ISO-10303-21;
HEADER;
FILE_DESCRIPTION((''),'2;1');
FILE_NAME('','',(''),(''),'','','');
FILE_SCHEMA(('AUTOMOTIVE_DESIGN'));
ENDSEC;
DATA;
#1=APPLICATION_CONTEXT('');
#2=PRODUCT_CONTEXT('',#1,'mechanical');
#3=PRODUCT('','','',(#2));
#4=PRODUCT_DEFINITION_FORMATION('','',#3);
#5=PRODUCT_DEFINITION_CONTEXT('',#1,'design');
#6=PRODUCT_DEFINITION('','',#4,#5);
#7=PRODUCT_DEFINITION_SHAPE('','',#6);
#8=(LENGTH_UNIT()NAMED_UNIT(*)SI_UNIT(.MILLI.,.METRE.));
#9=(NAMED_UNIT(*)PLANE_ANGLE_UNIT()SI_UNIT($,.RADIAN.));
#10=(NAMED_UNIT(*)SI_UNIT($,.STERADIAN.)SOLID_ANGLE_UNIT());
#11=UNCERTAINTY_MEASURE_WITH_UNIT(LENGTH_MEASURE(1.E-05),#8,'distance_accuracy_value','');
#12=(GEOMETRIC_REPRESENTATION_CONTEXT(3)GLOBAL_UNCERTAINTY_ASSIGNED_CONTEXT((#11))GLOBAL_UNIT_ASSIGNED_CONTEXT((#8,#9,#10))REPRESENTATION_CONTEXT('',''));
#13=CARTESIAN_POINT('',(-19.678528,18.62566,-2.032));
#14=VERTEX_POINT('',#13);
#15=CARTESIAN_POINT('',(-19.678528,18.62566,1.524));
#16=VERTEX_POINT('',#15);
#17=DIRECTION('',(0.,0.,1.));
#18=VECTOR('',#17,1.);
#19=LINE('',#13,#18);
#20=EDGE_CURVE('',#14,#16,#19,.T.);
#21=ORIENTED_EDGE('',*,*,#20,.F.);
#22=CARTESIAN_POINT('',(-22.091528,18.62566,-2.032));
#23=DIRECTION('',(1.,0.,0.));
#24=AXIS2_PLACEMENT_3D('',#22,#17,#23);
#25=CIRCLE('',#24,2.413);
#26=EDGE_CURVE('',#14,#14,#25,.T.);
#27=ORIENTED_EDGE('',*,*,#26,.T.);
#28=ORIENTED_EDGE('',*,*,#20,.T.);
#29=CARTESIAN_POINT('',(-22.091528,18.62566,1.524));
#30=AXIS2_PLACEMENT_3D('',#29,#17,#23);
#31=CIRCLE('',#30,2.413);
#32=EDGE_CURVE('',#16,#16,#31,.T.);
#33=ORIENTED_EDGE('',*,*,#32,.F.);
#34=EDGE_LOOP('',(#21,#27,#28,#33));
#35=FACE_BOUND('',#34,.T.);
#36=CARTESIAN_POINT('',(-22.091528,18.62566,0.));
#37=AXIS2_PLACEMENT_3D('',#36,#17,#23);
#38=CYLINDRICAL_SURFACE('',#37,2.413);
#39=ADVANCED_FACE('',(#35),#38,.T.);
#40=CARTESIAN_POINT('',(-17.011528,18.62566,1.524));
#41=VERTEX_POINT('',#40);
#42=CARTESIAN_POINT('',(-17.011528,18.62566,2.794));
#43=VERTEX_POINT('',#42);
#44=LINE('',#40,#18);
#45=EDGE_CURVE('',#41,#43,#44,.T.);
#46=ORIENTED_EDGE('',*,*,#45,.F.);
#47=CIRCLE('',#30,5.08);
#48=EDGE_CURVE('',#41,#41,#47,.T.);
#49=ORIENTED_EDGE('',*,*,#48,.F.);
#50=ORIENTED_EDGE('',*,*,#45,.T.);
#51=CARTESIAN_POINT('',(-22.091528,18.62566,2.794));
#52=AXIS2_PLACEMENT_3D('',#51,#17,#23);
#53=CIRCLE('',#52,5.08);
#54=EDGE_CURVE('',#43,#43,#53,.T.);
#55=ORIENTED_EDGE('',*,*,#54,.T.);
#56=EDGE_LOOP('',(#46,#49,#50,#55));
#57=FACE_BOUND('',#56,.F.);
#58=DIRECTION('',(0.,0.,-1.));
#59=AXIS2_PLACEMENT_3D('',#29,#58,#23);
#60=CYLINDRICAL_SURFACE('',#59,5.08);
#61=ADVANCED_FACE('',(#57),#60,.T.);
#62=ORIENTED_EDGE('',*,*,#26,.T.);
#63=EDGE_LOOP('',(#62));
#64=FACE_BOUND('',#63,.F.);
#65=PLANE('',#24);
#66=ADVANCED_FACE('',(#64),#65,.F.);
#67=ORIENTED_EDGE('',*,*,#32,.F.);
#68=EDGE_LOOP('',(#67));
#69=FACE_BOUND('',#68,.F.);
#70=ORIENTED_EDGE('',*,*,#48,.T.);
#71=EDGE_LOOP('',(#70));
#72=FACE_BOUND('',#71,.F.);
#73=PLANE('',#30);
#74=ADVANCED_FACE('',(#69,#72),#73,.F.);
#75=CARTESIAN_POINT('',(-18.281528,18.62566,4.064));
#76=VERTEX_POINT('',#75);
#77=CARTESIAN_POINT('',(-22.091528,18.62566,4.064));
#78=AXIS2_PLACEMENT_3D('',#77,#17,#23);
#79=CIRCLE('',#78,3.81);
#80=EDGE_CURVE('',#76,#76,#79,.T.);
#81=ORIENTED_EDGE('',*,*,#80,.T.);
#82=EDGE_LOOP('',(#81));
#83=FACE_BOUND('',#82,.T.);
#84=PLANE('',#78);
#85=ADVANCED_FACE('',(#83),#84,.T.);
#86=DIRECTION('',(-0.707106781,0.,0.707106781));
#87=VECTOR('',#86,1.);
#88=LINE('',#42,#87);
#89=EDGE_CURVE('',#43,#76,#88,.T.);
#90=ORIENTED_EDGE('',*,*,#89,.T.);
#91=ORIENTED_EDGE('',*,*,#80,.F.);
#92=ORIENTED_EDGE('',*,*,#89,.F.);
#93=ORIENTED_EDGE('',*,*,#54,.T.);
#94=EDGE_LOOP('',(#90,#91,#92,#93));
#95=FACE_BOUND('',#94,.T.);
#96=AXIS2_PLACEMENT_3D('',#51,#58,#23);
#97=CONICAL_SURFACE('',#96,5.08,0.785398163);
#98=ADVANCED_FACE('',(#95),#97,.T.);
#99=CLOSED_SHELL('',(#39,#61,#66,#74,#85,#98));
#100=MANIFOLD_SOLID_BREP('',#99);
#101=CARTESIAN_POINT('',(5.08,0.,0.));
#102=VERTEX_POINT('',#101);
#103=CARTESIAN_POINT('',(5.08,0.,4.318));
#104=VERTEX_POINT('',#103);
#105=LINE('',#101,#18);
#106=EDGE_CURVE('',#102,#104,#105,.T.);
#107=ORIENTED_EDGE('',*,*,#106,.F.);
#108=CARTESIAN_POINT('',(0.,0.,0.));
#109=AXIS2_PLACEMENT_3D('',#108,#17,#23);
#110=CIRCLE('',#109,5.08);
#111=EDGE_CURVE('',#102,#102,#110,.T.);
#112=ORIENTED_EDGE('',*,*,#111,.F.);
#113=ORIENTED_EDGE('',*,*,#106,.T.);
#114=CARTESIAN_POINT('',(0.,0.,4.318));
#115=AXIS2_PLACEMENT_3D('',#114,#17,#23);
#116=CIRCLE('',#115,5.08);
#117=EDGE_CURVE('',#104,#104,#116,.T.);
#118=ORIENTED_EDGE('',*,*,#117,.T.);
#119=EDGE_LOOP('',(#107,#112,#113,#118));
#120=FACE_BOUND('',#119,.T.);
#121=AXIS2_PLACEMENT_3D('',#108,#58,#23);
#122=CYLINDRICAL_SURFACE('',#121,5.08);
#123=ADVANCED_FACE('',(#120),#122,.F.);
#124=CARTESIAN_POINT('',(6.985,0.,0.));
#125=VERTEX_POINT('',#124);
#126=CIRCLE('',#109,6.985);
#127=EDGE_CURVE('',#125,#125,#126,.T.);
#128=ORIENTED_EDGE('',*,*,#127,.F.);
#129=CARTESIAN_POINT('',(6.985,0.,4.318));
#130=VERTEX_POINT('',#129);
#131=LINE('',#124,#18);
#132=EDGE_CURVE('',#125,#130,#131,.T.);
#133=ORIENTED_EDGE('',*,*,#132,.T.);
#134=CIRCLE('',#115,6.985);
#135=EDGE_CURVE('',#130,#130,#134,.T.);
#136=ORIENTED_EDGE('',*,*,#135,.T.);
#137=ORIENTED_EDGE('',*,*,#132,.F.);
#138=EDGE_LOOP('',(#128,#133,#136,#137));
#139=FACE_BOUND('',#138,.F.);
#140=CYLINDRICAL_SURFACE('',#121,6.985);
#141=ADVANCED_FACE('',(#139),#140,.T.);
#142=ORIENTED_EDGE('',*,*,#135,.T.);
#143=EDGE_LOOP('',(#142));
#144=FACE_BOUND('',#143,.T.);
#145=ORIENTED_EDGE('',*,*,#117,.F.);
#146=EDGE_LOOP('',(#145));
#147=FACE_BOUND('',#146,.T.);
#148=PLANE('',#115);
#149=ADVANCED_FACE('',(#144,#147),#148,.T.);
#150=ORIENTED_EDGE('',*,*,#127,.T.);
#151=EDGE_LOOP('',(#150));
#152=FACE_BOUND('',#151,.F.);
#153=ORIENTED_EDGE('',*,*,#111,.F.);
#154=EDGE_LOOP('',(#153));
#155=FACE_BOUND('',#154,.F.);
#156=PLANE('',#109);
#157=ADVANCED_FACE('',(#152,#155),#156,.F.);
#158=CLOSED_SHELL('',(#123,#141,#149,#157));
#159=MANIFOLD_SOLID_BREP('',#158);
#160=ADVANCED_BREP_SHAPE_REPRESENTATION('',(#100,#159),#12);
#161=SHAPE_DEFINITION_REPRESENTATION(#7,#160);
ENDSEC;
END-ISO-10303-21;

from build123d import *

# Parameters (mm, degrees)
F0_R     = 6.985
F0_R_2   = 5.08
F1_DEPTH = 4.318
F2_R     = 2.413
F3_DEPTH = 1.524
F4_R     = 5.08
F4_R_2   = 2.413
F5_DEPTH = 2.54
F6_SIZE  = 1.27
F7_DEPTH = 2.032


with BuildPart() as f1:
    # F0 (on Top) → F1 (new body)
    with BuildSketch(Plane.XY):
        Circle(F0_R)
        Circle(F0_R_2, mode=Mode.SUBTRACT)
    extrude(amount=F1_DEPTH)


with BuildPart() as f3:
    # F2 (on Top) → F3 (new body)
    with BuildSketch(Plane.XY):
        with Locations((-22.0915284008, 18.6256598681)):
            Circle(F2_R)
    extrude(amount=F3_DEPTH)

    # F4 (on face) → F5 (join)
    with BuildSketch(Plane.XY.offset(1.524)):
        with Locations((-22.0915284008, 18.6256598681)):
            Circle(F4_R)
        with Locations((-22.0915284008, 18.6256598681)):
            Circle(F4_R_2, mode=Mode.SUBTRACT)
        with Locations((-22.0915284008, 18.6256598681)):
            Circle(F4_R_2)
    extrude(amount=F5_DEPTH)

    # F6
    f6_edges = [f3.edges().sort_by_distance(p)[0] for p in [
        (-27.171528, 18.62566, 4.064),
    ]]
    chamfer(f6_edges, length=F6_SIZE)

    # F7 (add): a face of the model
    f7_faces = [f3.faces().sort_by_distance(p)[0] for p in [
        (-22.0915284008, 18.6256598681, 0),
    ]]
    extrude(f7_faces, amount=F7_DEPTH)


solid = Compound([f1.part, f3.part])
